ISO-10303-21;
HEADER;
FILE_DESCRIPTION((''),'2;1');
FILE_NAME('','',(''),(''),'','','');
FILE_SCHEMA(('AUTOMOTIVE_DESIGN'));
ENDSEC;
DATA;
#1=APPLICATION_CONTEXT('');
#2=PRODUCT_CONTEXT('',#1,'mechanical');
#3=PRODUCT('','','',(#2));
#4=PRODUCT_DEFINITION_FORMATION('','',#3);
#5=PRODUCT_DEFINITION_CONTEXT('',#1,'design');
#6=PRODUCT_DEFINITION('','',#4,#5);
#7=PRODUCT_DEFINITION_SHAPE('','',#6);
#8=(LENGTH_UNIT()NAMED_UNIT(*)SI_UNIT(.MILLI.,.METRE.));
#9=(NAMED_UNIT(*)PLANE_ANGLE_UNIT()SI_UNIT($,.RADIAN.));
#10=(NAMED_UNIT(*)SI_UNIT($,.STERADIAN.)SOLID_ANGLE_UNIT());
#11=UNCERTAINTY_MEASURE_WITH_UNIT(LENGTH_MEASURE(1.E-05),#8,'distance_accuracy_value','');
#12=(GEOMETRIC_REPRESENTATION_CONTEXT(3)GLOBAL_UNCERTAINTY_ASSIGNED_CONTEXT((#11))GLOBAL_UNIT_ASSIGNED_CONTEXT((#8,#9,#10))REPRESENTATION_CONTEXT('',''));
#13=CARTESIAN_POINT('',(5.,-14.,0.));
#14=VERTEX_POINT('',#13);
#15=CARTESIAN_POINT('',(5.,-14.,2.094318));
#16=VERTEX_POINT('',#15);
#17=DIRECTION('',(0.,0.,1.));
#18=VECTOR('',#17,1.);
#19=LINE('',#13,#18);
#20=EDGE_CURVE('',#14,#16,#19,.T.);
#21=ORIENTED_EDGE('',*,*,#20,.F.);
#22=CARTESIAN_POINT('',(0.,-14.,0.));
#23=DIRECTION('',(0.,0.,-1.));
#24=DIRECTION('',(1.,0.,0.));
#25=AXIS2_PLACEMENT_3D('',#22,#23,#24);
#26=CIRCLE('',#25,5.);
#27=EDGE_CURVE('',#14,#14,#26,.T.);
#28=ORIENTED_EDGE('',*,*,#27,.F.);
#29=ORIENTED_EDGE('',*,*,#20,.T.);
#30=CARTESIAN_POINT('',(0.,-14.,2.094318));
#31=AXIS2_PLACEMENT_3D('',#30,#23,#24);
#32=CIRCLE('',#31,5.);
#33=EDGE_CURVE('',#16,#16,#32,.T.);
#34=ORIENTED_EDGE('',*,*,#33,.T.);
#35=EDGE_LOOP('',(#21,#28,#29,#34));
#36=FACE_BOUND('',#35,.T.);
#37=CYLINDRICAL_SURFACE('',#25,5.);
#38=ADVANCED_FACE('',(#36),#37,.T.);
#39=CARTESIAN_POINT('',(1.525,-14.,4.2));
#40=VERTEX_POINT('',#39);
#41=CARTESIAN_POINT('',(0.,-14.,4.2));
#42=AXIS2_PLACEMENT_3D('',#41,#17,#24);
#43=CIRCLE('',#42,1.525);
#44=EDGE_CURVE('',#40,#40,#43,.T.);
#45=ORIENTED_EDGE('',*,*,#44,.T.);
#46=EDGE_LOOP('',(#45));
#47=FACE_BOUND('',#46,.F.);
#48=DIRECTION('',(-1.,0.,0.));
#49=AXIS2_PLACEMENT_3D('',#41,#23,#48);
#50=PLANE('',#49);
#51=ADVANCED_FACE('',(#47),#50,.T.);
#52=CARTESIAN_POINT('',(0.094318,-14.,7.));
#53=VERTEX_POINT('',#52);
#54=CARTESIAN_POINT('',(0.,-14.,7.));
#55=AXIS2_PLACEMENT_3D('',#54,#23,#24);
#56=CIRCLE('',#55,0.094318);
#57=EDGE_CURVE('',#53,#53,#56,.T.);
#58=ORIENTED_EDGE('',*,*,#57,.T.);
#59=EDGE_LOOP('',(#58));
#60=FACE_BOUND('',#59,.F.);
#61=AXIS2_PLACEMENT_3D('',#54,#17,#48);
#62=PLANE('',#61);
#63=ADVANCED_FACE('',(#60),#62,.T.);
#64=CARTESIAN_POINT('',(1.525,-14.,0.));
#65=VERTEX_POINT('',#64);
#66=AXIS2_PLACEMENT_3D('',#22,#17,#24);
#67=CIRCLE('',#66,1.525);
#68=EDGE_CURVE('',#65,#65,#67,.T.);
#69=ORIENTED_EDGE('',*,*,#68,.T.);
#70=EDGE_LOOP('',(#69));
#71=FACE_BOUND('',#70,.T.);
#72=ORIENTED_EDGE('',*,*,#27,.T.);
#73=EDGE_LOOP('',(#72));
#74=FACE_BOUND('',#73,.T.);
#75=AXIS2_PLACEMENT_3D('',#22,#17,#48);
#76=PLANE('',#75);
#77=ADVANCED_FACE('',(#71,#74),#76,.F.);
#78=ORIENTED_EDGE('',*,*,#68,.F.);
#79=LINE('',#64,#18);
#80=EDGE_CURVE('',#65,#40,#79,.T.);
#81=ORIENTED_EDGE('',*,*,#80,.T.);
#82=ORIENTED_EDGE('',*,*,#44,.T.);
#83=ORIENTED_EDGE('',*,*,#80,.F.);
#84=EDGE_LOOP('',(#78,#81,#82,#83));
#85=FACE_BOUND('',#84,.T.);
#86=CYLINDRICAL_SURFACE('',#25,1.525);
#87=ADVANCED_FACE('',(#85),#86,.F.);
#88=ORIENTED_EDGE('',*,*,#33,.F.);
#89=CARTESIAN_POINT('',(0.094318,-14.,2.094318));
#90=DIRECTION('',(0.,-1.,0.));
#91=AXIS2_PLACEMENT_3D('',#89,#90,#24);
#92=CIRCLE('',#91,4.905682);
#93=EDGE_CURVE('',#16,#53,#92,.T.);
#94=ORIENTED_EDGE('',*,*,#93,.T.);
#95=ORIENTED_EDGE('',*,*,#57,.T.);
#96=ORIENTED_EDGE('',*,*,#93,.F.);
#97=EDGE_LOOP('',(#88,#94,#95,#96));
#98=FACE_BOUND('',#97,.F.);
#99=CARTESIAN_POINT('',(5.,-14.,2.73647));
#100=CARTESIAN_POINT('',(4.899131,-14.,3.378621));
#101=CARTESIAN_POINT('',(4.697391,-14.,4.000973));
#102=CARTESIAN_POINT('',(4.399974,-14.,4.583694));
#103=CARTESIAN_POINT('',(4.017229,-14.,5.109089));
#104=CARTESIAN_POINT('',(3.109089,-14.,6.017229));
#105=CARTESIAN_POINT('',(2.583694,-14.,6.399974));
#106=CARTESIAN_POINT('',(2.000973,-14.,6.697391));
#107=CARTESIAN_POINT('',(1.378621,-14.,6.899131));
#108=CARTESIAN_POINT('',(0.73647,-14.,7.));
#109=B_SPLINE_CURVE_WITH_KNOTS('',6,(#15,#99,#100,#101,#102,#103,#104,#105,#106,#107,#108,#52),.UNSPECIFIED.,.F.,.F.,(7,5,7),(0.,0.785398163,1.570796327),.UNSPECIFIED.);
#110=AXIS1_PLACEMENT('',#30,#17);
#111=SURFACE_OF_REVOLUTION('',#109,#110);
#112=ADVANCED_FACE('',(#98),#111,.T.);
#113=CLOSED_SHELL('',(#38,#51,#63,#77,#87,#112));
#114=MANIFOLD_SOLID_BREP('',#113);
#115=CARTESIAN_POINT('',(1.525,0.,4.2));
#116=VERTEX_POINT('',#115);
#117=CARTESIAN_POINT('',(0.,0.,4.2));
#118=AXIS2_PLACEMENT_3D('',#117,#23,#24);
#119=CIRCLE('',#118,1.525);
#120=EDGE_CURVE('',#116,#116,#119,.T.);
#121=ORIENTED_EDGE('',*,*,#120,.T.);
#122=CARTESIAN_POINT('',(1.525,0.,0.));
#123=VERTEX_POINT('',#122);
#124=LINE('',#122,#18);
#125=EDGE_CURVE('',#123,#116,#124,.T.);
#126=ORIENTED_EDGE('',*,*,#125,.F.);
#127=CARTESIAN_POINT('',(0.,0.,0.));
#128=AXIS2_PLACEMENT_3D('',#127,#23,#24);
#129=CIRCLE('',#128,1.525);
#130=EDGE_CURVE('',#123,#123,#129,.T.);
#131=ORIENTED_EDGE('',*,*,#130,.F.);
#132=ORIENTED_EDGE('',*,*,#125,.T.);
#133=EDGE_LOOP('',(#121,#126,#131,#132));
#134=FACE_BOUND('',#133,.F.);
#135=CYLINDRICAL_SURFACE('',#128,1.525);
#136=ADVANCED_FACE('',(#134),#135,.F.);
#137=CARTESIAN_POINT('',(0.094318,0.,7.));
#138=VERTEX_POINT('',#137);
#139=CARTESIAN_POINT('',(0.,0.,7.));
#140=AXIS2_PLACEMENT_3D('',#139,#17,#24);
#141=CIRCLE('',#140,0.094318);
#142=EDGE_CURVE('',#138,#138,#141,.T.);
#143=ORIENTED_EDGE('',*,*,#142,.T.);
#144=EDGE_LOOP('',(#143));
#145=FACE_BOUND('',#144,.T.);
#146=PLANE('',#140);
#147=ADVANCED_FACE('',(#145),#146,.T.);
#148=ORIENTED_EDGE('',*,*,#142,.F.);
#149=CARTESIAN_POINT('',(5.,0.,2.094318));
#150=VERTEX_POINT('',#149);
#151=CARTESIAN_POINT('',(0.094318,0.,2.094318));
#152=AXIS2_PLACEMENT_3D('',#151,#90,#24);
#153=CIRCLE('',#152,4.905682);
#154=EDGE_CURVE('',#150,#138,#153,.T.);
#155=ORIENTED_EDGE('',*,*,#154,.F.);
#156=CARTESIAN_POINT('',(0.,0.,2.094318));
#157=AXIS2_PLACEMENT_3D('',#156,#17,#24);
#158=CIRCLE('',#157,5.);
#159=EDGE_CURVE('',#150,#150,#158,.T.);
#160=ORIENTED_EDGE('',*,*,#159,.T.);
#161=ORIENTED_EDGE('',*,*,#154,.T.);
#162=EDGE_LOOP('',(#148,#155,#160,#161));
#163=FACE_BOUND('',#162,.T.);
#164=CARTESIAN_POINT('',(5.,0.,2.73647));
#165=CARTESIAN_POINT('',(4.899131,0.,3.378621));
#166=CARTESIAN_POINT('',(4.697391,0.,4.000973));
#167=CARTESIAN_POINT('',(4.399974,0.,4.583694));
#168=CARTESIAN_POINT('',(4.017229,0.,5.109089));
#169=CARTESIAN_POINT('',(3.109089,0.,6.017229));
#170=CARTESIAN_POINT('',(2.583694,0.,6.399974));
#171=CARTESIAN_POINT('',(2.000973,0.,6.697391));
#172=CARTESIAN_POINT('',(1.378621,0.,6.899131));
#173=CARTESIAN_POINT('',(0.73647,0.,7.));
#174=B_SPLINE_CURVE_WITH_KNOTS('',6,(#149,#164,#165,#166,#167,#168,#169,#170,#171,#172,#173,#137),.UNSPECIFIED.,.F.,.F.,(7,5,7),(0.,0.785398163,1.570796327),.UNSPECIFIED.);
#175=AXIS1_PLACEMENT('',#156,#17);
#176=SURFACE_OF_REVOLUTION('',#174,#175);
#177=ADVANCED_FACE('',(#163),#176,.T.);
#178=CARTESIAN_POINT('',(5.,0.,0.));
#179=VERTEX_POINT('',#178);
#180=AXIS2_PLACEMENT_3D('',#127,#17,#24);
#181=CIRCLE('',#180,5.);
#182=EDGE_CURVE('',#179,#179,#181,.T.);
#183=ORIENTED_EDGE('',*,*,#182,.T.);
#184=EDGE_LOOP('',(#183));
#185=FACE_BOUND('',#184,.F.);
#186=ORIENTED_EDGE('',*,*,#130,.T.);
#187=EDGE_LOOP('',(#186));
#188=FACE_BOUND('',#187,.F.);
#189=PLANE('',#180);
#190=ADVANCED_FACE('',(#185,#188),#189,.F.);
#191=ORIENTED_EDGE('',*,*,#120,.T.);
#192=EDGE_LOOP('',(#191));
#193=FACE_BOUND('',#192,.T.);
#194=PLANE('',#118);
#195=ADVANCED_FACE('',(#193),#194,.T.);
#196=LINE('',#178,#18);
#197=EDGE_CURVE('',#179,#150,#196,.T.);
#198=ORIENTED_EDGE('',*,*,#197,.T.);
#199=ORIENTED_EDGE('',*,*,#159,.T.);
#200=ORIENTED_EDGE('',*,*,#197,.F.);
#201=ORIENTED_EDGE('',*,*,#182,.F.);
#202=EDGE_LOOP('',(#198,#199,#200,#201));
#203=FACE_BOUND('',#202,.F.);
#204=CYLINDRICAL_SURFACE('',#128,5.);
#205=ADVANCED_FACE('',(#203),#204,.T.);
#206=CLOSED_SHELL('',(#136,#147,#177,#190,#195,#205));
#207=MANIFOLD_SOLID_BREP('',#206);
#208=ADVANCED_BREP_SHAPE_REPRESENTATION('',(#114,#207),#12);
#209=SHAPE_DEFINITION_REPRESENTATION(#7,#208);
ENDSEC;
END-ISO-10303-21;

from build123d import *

# Parameters (mm, degrees)
F0_R     = 5
F1_DEPTH = 7
F2_R     = 4.905682
F3_R     = 1.525
F4_DEPTH = 4.2


with BuildPart() as f1:
    # F0 (on Top) → F1 (new body)
    with BuildSketch(Plane.XY):
        Circle(F0_R)
    extrude(amount=F1_DEPTH)

    # F2
    f2_edges = [f1.edges().sort_by_distance(p)[0] for p in [
        (-5, 0, 7),
    ]]
    fillet(f2_edges, radius=F2_R)

    # F3 (on face) → F4 (cut)
    with BuildSketch(Plane(origin=(0, 0, 0), x_dir=(1, 0, 0), z_dir=(0, 0, -1))):
        Circle(F3_R)
    extrude(amount=-F4_DEPTH, mode=Mode.SUBTRACT)


with BuildPart() as f6_1:
    # F6: instance of F1
    add(f1.part.mirror(Plane.XZ.offset(7)))


solid = Compound([f1.part, f6_1.part])
